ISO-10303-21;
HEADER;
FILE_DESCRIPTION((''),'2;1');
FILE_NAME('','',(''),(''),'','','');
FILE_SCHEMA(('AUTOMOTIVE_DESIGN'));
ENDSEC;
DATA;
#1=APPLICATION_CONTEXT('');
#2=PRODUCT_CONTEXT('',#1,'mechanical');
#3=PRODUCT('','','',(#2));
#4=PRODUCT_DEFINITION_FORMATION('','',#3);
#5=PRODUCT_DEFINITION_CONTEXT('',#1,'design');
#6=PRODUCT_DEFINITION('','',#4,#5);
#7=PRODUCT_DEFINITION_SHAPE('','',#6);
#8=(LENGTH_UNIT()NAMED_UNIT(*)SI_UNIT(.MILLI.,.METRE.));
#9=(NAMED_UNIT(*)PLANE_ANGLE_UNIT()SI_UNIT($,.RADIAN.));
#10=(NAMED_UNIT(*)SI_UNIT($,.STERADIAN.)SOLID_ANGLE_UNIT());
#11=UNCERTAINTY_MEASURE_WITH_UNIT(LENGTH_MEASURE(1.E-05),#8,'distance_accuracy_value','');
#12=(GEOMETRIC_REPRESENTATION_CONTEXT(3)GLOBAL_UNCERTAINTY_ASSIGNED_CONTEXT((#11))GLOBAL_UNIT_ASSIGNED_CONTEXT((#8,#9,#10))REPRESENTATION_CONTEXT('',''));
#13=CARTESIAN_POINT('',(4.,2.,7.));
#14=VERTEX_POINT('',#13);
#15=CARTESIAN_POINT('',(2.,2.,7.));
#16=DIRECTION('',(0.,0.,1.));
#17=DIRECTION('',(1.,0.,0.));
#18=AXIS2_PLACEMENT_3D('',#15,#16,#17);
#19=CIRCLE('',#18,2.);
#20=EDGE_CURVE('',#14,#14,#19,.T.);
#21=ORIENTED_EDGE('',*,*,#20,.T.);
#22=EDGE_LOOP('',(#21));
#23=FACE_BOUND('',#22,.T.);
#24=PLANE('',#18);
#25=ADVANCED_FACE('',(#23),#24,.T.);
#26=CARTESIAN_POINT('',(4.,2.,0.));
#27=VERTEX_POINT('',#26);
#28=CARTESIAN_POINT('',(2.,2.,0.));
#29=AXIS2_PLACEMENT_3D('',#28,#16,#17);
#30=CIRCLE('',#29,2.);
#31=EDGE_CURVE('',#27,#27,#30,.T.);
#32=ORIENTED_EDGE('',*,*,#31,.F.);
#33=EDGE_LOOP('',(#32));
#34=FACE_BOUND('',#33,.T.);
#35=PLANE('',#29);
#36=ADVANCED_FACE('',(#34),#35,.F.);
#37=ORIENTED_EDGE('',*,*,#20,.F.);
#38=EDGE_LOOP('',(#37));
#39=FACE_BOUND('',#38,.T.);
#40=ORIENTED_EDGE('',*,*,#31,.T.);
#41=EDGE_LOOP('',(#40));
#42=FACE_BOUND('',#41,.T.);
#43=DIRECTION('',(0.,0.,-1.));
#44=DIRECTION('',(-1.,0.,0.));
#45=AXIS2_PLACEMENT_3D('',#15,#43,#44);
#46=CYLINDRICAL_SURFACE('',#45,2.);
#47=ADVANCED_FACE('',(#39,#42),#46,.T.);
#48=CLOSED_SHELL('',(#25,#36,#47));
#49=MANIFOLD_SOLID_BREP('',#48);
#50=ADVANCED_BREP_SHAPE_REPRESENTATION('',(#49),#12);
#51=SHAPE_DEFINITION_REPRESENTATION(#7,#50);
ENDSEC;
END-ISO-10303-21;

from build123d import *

# Parameters (mm, degrees)
SKETCH1_R     = 2
PROFILE_DEPTH = 7


with BuildPart() as part:
    # Sketch1 → Profile (new body)
    with BuildSketch(Plane.XY):
        with Locations((2, 2)):
            Circle(SKETCH1_R)
    extrude(amount=PROFILE_DEPTH)


solid = part.part
